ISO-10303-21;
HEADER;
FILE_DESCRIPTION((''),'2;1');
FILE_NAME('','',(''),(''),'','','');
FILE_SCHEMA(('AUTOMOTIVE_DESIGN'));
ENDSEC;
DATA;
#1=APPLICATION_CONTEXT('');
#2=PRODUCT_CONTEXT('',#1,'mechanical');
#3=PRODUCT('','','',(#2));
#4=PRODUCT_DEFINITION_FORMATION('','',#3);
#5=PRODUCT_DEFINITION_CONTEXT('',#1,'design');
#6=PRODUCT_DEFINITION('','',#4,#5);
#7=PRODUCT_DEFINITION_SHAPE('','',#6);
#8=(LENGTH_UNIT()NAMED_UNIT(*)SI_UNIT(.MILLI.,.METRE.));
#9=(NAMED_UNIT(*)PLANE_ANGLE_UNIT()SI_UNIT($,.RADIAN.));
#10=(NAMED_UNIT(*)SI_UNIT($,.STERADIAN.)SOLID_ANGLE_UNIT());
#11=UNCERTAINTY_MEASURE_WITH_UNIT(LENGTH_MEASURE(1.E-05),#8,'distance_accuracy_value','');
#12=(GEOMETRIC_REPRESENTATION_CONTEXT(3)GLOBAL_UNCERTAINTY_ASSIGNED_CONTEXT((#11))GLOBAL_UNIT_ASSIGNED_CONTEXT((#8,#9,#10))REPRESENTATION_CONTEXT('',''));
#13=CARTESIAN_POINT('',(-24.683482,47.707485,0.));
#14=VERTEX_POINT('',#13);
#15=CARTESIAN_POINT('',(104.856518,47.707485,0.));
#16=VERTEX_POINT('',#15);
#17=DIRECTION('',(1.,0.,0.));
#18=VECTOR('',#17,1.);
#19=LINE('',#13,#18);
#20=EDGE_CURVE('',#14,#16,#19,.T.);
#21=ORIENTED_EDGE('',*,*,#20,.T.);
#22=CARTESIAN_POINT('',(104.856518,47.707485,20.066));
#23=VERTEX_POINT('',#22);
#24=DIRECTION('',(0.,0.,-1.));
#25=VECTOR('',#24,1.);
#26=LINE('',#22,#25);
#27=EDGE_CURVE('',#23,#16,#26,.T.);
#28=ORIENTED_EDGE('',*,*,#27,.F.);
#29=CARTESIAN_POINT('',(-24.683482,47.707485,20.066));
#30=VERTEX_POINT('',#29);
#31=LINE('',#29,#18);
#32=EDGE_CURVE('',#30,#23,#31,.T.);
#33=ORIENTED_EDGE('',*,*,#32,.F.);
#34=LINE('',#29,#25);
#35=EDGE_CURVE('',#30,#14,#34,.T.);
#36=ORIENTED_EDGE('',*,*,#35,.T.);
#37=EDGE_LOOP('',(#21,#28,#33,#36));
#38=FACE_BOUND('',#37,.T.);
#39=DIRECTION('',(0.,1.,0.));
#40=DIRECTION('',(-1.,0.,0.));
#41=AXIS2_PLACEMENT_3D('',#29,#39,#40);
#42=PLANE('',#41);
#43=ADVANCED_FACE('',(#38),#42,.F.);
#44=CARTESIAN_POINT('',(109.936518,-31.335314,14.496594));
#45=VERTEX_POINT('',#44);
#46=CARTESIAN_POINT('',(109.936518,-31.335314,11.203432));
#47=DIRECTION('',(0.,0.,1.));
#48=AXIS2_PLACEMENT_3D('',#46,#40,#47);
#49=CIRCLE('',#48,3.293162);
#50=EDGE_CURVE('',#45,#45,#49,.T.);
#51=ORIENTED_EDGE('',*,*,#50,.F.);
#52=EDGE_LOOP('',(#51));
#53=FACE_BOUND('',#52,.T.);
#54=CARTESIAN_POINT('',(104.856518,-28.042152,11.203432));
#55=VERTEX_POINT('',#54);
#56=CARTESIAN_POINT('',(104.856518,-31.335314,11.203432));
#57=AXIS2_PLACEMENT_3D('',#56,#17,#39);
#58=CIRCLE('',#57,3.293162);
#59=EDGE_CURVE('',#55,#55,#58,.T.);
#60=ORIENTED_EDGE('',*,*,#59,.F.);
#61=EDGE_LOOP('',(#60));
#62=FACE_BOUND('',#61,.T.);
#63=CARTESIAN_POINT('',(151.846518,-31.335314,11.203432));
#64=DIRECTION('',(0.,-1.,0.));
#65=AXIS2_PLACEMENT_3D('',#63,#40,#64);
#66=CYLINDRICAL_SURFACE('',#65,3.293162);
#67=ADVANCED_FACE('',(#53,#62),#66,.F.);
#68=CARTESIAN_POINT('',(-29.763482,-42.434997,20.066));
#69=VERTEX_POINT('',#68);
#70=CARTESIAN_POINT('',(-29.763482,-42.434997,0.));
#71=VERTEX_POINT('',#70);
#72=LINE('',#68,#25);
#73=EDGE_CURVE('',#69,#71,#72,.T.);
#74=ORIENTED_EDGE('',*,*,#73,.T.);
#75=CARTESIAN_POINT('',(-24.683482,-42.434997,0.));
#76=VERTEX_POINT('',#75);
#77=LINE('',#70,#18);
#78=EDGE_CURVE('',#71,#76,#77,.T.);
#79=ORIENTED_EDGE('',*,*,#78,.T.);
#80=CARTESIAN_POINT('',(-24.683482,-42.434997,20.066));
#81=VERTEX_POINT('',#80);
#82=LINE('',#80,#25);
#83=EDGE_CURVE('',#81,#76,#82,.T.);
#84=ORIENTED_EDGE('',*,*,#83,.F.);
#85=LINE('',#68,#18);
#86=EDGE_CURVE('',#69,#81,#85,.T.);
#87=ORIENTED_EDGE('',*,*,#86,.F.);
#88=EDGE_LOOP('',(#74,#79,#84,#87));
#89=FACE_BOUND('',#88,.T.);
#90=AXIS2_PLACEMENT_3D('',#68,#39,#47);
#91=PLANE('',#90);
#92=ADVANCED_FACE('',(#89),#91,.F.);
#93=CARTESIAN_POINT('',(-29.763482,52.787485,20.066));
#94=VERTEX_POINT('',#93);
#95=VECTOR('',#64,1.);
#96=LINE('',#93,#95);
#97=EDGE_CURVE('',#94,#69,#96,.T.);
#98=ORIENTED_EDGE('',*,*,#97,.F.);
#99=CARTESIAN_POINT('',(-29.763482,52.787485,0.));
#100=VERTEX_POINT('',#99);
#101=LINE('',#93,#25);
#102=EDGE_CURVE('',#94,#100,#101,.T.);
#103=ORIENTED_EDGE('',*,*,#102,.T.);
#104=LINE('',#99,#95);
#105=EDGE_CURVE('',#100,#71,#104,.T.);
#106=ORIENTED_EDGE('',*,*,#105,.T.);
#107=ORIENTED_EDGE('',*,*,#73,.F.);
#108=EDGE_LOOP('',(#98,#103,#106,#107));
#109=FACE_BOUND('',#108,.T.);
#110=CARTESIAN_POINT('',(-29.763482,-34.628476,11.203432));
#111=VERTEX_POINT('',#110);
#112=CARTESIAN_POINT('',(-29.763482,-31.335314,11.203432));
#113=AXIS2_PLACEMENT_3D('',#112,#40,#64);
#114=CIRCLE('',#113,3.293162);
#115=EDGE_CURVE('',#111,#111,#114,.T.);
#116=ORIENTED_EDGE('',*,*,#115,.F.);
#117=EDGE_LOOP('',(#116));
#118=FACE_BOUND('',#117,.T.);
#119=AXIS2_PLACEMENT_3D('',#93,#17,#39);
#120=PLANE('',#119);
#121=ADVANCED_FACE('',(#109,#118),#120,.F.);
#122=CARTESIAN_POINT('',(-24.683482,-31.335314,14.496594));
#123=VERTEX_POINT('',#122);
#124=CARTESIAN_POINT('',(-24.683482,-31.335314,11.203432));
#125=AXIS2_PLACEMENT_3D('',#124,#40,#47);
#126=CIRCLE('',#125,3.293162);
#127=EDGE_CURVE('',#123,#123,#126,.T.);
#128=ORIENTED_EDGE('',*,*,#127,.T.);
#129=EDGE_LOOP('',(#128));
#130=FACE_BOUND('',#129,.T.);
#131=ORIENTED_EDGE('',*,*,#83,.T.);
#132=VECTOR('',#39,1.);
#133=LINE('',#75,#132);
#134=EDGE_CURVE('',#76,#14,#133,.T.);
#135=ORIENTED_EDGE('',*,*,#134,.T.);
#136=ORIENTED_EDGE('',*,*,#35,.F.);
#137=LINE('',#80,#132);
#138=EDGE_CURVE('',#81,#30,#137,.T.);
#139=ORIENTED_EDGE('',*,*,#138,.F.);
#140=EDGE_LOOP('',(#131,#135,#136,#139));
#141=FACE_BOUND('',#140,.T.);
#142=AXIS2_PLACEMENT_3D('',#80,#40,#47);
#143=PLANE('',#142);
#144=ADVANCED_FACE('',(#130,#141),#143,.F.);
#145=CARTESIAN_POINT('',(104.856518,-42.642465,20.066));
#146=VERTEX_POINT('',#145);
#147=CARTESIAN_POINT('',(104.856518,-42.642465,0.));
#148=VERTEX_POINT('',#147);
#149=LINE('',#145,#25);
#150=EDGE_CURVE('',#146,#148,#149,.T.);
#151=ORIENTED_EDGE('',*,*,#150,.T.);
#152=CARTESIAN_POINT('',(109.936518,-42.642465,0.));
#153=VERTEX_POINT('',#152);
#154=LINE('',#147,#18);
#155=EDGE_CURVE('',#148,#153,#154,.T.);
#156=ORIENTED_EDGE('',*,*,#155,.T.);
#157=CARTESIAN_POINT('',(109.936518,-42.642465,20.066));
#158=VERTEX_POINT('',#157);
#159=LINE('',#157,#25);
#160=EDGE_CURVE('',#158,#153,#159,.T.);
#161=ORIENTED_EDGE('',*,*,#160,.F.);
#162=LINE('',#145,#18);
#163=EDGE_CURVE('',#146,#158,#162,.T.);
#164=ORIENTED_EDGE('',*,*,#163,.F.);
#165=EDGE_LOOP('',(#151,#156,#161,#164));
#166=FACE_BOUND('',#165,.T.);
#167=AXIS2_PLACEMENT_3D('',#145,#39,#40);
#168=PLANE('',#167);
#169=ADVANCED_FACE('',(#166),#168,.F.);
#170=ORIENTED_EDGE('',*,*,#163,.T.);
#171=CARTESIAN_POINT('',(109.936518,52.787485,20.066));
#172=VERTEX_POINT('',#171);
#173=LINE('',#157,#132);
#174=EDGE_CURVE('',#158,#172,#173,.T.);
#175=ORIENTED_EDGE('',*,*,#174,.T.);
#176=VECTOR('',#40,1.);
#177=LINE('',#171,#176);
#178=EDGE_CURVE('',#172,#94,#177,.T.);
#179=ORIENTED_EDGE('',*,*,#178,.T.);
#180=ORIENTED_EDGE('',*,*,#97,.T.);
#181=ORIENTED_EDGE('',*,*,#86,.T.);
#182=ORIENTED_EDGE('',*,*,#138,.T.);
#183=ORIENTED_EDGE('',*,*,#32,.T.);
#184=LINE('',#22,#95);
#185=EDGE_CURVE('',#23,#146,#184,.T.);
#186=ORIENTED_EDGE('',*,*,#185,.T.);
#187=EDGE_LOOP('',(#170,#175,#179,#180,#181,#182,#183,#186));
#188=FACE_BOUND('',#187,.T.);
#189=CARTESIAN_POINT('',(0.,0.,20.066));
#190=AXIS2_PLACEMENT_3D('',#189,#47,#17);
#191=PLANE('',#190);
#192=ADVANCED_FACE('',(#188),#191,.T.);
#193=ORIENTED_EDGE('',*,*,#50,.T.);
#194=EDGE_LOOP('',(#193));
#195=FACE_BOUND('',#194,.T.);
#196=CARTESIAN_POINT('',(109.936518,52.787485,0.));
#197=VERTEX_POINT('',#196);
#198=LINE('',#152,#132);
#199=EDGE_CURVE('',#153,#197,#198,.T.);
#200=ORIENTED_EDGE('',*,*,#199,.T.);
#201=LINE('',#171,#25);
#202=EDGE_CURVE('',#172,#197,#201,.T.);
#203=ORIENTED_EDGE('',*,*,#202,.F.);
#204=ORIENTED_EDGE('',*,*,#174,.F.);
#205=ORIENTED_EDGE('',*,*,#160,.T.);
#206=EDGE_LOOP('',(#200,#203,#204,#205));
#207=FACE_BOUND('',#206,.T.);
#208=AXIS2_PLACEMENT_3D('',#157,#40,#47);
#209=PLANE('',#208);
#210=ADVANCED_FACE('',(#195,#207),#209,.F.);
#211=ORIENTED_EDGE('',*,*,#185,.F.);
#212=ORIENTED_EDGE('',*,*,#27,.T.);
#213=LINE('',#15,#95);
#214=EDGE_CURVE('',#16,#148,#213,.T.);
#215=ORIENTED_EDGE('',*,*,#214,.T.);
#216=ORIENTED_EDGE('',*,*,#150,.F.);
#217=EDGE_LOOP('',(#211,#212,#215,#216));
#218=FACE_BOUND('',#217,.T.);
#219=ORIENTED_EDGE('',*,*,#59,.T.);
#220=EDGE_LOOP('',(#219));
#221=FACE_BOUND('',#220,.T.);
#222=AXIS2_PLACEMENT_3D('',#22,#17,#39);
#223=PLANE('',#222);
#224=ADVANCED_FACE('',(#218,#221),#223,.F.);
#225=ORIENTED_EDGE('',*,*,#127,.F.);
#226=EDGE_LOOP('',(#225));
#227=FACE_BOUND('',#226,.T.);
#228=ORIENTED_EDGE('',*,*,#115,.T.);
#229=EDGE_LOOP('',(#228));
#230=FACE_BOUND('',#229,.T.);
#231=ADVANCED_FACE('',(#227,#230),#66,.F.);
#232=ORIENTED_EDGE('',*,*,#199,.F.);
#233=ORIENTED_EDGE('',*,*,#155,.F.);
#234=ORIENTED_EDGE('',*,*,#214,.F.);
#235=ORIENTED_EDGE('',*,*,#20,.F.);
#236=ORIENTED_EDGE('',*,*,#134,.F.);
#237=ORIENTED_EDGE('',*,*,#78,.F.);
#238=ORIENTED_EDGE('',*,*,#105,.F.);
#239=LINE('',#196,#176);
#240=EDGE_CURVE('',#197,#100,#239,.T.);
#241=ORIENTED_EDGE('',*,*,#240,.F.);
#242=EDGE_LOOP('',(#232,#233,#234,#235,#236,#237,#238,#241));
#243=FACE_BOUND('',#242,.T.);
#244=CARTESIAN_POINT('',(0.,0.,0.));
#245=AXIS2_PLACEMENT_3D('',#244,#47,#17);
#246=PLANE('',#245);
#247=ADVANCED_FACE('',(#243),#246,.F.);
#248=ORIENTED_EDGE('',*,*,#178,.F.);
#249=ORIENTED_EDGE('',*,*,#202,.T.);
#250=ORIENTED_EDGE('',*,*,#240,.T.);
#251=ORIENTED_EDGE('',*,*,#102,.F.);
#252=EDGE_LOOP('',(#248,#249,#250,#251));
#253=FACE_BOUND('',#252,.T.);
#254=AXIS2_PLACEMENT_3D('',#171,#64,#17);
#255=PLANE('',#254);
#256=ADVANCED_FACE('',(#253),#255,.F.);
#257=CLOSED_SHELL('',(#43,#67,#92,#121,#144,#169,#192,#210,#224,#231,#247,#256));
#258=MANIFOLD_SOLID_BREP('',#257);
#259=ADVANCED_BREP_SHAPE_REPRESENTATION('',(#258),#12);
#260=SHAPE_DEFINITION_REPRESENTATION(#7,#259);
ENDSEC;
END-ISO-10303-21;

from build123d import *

# Parameters (mm, degrees)
BOSS_EXTRUDE4_DEPTH = 20.066
SKETCH15_R          = 3.293162321
CUT_EXTRUDE4_DEPTH  = 181.61


with BuildPart() as part:
    # Sketch2 → Boss-Extrude4 (new body)
    with BuildSketch(Plane.XY):
        Polygon((-29.763481726, 52.78748547), (-29.763481726, -42.434997301), (-24.683481726, -42.434997301), (-24.683481726, 47.70748547), (104.856518274, 47.70748547), (104.856518274, -42.642464856), (109.936518274, -42.642464856), (109.936518274, 52.78748547), align=None)
    extrude(amount=BOSS_EXTRUDE4_DEPTH)

    # Sketch15 → Cut-Extrude4 (cut)
    with BuildSketch(Plane.ZY.offset(29.763481726)):
        with Locations((11.203431829, -31.335314142)):
            Circle(SKETCH15_R)
    extrude(amount=-CUT_EXTRUDE4_DEPTH, mode=Mode.SUBTRACT)


solid = part.part
